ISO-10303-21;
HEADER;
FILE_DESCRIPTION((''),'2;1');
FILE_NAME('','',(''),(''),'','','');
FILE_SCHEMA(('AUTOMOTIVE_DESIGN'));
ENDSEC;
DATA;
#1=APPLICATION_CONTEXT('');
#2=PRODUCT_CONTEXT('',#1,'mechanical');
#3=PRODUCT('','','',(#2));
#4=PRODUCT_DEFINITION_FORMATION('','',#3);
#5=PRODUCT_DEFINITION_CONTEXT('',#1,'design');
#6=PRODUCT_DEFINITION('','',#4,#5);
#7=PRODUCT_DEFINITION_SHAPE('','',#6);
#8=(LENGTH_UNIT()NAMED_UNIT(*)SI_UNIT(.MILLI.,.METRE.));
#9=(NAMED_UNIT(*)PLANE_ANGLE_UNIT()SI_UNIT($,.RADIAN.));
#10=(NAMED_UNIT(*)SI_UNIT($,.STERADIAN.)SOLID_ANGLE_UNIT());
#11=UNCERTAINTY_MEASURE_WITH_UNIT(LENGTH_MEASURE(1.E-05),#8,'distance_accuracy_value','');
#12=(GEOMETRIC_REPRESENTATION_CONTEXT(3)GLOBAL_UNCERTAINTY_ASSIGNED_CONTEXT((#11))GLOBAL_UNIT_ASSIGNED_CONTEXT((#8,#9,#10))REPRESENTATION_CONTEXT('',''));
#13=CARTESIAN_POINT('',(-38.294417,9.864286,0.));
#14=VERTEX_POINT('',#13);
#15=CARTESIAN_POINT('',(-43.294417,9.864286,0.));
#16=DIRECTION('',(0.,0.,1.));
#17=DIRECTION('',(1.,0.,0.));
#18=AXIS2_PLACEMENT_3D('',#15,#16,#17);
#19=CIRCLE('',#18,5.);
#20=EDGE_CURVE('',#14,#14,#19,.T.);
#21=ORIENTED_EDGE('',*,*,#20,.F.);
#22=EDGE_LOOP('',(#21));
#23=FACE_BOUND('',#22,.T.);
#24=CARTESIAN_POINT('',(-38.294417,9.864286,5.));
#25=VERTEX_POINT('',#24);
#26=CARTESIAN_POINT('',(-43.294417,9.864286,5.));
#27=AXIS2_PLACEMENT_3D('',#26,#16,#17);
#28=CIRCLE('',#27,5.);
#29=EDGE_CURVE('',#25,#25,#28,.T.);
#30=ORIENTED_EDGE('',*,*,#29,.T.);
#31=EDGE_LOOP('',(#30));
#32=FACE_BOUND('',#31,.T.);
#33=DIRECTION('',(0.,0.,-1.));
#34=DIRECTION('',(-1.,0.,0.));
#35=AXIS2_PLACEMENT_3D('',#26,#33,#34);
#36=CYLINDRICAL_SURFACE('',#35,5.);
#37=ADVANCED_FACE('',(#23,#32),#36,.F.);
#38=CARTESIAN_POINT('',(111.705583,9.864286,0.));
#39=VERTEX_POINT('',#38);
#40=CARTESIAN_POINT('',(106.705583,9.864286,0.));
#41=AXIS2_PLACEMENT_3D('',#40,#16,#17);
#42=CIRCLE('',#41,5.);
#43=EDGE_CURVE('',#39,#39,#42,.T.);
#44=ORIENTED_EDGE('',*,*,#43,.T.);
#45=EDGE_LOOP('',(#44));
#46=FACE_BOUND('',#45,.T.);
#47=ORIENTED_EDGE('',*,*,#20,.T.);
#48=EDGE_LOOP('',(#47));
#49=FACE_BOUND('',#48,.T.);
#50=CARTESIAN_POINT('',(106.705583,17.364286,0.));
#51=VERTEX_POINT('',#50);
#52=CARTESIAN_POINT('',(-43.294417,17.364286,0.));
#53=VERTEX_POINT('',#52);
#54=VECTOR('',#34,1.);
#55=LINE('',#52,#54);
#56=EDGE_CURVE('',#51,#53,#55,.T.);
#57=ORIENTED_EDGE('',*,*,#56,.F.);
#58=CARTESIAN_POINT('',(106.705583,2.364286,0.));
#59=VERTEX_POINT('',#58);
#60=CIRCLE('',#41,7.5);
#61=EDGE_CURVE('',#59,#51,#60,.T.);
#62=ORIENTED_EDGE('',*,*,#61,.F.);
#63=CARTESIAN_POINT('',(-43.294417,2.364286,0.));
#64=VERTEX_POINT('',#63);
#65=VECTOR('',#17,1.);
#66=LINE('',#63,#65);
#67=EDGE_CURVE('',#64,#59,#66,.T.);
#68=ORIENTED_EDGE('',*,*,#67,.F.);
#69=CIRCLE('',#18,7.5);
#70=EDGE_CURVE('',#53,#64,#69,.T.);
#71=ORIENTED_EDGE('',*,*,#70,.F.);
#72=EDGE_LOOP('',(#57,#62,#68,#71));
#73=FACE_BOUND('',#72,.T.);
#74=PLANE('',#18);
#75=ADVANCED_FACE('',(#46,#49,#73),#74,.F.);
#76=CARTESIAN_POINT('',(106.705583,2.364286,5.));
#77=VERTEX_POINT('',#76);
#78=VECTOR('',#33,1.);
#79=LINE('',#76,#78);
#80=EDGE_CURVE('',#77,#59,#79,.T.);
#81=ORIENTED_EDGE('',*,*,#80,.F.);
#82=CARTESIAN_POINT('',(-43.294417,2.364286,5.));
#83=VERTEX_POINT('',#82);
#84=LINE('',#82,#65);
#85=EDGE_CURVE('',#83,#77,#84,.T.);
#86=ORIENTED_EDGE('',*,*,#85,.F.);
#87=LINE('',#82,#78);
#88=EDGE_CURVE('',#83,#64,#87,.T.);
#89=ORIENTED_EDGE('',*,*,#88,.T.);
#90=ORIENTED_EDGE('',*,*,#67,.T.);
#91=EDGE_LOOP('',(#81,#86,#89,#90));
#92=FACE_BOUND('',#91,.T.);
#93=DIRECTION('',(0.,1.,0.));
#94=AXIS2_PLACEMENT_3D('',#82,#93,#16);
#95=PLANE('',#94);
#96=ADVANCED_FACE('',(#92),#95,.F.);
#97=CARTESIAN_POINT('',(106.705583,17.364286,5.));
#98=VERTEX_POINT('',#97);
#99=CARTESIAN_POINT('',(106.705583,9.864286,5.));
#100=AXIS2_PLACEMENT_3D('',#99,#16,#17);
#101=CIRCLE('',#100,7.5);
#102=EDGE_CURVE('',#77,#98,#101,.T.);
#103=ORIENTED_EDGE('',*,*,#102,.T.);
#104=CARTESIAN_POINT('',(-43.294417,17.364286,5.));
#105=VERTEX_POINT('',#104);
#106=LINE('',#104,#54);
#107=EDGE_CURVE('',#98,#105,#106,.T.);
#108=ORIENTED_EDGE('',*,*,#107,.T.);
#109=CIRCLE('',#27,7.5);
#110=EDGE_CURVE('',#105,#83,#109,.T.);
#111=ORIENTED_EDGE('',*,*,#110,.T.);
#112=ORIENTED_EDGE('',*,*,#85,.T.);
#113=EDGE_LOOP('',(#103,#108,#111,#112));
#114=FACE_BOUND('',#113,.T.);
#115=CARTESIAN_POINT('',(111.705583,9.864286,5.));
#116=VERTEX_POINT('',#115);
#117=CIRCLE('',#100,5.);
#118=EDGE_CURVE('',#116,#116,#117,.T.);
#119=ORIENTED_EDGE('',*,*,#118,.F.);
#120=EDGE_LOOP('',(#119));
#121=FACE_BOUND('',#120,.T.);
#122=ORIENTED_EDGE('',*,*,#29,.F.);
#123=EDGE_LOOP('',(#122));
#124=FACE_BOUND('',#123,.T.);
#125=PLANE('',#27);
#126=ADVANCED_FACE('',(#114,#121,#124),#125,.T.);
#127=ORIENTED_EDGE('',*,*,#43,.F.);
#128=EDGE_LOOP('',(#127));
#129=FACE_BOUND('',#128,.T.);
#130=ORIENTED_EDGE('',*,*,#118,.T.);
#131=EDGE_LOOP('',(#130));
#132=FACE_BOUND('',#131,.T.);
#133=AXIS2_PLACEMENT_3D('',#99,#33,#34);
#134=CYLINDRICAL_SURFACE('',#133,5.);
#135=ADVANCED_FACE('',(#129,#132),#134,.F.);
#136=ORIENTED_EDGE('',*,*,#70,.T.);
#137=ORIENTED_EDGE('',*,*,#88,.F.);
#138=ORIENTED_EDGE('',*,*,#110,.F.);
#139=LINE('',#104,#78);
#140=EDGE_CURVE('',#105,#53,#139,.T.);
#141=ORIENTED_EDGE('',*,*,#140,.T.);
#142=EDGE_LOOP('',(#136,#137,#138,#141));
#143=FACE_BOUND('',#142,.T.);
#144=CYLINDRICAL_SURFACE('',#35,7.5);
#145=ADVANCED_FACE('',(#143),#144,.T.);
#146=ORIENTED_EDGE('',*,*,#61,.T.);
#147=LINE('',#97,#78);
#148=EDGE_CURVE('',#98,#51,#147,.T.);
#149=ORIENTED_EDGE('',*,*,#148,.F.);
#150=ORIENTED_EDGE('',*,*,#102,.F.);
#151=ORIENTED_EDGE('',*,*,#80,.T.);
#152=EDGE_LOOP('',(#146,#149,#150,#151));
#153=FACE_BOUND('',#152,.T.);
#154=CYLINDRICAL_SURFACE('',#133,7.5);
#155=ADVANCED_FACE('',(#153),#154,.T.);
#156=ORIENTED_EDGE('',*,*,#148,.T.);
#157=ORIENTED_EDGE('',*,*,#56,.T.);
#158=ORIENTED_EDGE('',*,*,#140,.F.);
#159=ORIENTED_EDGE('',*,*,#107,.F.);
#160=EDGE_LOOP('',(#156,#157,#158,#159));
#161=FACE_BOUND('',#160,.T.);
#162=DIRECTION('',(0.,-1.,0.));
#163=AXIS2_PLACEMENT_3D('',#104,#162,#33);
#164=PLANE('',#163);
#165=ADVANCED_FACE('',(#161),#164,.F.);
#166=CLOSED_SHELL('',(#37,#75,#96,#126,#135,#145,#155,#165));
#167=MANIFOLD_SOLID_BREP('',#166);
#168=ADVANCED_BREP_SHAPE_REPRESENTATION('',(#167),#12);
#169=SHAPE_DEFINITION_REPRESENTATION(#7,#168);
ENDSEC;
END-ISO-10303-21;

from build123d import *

# Parameters (mm, degrees)
IZIM1_R                     = 5
Y_KSEKLIK_EKSTR_ZYON1_DEPTH = 5


with BuildPart() as part:
    # Çizim1 → Yükseklik-Ekstrüzyon1 (new body)
    with BuildSketch(Plane.XY):
        with BuildLine():
            Line((-43.294417438, 17.364285714), (106.705582562, 17.364285714))
            ThreePointArc((106.705582562, 17.364285714), (114.205582562, 9.864285714), (106.705582562, 2.364285714))
            Line((106.705582562, 2.364285714), (-43.294417438, 2.364285714))
            ThreePointArc((-43.294417438, 2.364285714), (-50.794417438, 9.864285714), (-43.294417438, 17.364285714))
        make_face()
        with Locations((-43.294417438, 9.864285714)):
            Circle(IZIM1_R, mode=Mode.SUBTRACT)
        with Locations((106.705582562, 9.864285714)):
            Circle(IZIM1_R, mode=Mode.SUBTRACT)
    extrude(amount=Y_KSEKLIK_EKSTR_ZYON1_DEPTH)


solid = part.part
